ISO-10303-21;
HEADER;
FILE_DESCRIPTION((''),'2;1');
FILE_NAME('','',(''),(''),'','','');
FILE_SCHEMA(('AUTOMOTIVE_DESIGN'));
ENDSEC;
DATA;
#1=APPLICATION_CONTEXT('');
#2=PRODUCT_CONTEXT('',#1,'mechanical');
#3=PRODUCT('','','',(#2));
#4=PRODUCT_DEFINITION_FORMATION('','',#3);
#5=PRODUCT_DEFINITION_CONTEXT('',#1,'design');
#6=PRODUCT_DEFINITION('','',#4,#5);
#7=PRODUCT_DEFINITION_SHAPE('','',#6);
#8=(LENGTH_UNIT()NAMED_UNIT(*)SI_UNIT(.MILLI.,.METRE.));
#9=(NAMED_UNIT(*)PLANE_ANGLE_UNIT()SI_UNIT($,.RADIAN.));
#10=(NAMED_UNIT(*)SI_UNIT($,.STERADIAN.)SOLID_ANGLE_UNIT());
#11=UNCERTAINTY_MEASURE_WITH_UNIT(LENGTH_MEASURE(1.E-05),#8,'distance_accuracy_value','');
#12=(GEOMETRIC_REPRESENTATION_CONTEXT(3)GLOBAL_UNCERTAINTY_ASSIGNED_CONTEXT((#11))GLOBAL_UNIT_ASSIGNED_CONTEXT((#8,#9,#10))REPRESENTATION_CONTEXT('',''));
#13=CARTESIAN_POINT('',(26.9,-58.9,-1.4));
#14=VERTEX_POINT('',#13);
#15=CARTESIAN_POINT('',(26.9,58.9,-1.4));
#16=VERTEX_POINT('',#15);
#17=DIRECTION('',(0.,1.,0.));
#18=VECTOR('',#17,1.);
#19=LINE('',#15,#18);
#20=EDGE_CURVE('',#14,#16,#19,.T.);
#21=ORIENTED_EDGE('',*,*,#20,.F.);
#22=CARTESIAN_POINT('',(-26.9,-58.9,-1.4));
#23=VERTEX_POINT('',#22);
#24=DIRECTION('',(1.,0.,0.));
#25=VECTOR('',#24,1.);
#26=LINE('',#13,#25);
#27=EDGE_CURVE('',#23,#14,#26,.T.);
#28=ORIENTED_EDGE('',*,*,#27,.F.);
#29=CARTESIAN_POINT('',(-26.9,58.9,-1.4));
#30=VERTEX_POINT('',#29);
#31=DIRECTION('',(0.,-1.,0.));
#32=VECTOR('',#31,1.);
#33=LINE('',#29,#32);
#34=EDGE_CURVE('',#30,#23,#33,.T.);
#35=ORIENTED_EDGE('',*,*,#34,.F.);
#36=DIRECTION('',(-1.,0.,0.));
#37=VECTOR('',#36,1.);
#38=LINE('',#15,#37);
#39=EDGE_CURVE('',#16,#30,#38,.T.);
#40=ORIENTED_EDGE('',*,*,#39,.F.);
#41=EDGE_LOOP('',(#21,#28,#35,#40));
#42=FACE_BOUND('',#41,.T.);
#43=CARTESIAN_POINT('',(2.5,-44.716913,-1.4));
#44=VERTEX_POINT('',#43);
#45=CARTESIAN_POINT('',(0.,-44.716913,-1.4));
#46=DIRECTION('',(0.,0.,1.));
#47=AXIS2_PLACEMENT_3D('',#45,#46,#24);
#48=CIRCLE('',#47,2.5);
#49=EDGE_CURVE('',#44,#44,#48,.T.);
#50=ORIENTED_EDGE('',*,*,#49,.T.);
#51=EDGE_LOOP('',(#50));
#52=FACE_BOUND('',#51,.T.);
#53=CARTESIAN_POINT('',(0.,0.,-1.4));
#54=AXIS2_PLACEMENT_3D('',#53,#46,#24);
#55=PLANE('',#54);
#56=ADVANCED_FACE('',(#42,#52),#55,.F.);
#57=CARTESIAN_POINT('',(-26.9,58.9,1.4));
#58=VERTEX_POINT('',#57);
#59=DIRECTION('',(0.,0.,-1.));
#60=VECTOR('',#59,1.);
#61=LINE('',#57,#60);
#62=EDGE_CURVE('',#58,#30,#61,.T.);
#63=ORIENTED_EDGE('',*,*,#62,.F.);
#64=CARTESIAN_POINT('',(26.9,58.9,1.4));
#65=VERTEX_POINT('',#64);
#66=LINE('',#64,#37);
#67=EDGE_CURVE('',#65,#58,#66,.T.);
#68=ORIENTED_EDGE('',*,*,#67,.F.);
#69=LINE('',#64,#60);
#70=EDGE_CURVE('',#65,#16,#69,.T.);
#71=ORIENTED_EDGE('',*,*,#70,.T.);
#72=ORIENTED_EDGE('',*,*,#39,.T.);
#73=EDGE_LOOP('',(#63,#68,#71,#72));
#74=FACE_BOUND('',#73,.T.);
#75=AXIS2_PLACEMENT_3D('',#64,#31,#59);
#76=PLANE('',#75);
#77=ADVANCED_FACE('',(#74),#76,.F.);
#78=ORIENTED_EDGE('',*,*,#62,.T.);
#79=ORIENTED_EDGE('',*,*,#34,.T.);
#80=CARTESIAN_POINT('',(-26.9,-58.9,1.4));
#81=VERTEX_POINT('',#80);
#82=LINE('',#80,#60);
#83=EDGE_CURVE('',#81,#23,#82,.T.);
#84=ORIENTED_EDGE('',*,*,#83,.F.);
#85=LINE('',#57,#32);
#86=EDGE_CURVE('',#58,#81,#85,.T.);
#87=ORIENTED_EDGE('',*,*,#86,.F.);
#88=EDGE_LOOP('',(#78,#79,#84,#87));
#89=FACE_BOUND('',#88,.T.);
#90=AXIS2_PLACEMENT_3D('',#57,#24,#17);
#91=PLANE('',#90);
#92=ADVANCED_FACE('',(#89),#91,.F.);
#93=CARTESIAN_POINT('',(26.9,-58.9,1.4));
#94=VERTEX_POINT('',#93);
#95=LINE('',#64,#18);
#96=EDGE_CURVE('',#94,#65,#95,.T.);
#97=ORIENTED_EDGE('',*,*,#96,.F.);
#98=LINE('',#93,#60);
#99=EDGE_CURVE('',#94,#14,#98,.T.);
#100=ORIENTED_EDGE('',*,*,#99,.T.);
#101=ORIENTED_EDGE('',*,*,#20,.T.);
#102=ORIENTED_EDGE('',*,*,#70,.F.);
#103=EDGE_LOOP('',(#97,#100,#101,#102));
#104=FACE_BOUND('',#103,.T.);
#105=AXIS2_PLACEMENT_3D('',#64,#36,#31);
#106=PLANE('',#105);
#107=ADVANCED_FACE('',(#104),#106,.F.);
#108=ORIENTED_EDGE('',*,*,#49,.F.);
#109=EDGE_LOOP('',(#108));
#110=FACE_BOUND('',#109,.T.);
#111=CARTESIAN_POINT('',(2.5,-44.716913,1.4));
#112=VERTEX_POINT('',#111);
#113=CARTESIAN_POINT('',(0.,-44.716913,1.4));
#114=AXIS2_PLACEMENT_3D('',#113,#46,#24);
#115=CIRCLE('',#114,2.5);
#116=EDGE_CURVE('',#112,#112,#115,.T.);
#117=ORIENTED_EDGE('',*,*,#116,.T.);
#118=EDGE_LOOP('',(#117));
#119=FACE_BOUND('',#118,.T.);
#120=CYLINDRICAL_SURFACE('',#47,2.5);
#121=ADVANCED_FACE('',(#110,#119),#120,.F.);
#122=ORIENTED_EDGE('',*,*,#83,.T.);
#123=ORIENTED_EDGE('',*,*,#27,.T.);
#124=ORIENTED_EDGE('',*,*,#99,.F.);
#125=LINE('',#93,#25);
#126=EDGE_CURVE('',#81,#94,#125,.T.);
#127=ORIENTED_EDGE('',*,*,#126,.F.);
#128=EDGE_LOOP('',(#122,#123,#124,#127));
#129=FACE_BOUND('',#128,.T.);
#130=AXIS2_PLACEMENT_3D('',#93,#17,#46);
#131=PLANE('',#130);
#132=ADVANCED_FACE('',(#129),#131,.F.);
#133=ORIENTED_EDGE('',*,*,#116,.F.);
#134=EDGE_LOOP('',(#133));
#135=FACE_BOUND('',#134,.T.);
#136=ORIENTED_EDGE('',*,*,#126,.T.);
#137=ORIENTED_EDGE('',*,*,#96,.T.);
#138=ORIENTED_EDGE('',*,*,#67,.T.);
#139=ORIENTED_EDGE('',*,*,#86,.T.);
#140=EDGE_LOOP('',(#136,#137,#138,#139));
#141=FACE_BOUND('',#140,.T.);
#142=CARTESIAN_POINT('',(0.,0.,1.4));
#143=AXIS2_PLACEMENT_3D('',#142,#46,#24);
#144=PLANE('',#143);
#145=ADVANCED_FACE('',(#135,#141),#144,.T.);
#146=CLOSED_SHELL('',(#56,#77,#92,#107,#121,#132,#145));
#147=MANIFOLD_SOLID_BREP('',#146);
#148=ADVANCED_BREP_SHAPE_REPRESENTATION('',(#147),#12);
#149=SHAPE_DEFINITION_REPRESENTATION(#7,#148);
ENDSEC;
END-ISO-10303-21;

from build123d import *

# Parameters (mm, degrees)
ESBO_O1_W                = 117.8
ESBO_O1_H                = 53.8
RESSALTO_EXTRUS_O1_DEPTH = 1.4
ESBO_O2_R                = 2.5
CORTE_EXTRUS_O1_DEPTH    = 2.8


with BuildPart() as part:
    # Esboço1 → Ressalto-extrusão1 (new, symmetric)
    with BuildSketch(Plane(origin=(0, 0, 0), x_dir=(0, 1, 0), z_dir=(0, 0, 1))):
        Rectangle(ESBO_O1_W, ESBO_O1_H)
    extrude(amount=RESSALTO_EXTRUS_O1_DEPTH, both=True)

    # Esboço2 → Corte-extrusão1 (cut)
    with BuildSketch(Plane.XY.offset(1.4)):
        with Locations((0, -44.716913091)):
            Circle(ESBO_O2_R)
    extrude(amount=-CORTE_EXTRUS_O1_DEPTH, mode=Mode.SUBTRACT)


solid = part.part
